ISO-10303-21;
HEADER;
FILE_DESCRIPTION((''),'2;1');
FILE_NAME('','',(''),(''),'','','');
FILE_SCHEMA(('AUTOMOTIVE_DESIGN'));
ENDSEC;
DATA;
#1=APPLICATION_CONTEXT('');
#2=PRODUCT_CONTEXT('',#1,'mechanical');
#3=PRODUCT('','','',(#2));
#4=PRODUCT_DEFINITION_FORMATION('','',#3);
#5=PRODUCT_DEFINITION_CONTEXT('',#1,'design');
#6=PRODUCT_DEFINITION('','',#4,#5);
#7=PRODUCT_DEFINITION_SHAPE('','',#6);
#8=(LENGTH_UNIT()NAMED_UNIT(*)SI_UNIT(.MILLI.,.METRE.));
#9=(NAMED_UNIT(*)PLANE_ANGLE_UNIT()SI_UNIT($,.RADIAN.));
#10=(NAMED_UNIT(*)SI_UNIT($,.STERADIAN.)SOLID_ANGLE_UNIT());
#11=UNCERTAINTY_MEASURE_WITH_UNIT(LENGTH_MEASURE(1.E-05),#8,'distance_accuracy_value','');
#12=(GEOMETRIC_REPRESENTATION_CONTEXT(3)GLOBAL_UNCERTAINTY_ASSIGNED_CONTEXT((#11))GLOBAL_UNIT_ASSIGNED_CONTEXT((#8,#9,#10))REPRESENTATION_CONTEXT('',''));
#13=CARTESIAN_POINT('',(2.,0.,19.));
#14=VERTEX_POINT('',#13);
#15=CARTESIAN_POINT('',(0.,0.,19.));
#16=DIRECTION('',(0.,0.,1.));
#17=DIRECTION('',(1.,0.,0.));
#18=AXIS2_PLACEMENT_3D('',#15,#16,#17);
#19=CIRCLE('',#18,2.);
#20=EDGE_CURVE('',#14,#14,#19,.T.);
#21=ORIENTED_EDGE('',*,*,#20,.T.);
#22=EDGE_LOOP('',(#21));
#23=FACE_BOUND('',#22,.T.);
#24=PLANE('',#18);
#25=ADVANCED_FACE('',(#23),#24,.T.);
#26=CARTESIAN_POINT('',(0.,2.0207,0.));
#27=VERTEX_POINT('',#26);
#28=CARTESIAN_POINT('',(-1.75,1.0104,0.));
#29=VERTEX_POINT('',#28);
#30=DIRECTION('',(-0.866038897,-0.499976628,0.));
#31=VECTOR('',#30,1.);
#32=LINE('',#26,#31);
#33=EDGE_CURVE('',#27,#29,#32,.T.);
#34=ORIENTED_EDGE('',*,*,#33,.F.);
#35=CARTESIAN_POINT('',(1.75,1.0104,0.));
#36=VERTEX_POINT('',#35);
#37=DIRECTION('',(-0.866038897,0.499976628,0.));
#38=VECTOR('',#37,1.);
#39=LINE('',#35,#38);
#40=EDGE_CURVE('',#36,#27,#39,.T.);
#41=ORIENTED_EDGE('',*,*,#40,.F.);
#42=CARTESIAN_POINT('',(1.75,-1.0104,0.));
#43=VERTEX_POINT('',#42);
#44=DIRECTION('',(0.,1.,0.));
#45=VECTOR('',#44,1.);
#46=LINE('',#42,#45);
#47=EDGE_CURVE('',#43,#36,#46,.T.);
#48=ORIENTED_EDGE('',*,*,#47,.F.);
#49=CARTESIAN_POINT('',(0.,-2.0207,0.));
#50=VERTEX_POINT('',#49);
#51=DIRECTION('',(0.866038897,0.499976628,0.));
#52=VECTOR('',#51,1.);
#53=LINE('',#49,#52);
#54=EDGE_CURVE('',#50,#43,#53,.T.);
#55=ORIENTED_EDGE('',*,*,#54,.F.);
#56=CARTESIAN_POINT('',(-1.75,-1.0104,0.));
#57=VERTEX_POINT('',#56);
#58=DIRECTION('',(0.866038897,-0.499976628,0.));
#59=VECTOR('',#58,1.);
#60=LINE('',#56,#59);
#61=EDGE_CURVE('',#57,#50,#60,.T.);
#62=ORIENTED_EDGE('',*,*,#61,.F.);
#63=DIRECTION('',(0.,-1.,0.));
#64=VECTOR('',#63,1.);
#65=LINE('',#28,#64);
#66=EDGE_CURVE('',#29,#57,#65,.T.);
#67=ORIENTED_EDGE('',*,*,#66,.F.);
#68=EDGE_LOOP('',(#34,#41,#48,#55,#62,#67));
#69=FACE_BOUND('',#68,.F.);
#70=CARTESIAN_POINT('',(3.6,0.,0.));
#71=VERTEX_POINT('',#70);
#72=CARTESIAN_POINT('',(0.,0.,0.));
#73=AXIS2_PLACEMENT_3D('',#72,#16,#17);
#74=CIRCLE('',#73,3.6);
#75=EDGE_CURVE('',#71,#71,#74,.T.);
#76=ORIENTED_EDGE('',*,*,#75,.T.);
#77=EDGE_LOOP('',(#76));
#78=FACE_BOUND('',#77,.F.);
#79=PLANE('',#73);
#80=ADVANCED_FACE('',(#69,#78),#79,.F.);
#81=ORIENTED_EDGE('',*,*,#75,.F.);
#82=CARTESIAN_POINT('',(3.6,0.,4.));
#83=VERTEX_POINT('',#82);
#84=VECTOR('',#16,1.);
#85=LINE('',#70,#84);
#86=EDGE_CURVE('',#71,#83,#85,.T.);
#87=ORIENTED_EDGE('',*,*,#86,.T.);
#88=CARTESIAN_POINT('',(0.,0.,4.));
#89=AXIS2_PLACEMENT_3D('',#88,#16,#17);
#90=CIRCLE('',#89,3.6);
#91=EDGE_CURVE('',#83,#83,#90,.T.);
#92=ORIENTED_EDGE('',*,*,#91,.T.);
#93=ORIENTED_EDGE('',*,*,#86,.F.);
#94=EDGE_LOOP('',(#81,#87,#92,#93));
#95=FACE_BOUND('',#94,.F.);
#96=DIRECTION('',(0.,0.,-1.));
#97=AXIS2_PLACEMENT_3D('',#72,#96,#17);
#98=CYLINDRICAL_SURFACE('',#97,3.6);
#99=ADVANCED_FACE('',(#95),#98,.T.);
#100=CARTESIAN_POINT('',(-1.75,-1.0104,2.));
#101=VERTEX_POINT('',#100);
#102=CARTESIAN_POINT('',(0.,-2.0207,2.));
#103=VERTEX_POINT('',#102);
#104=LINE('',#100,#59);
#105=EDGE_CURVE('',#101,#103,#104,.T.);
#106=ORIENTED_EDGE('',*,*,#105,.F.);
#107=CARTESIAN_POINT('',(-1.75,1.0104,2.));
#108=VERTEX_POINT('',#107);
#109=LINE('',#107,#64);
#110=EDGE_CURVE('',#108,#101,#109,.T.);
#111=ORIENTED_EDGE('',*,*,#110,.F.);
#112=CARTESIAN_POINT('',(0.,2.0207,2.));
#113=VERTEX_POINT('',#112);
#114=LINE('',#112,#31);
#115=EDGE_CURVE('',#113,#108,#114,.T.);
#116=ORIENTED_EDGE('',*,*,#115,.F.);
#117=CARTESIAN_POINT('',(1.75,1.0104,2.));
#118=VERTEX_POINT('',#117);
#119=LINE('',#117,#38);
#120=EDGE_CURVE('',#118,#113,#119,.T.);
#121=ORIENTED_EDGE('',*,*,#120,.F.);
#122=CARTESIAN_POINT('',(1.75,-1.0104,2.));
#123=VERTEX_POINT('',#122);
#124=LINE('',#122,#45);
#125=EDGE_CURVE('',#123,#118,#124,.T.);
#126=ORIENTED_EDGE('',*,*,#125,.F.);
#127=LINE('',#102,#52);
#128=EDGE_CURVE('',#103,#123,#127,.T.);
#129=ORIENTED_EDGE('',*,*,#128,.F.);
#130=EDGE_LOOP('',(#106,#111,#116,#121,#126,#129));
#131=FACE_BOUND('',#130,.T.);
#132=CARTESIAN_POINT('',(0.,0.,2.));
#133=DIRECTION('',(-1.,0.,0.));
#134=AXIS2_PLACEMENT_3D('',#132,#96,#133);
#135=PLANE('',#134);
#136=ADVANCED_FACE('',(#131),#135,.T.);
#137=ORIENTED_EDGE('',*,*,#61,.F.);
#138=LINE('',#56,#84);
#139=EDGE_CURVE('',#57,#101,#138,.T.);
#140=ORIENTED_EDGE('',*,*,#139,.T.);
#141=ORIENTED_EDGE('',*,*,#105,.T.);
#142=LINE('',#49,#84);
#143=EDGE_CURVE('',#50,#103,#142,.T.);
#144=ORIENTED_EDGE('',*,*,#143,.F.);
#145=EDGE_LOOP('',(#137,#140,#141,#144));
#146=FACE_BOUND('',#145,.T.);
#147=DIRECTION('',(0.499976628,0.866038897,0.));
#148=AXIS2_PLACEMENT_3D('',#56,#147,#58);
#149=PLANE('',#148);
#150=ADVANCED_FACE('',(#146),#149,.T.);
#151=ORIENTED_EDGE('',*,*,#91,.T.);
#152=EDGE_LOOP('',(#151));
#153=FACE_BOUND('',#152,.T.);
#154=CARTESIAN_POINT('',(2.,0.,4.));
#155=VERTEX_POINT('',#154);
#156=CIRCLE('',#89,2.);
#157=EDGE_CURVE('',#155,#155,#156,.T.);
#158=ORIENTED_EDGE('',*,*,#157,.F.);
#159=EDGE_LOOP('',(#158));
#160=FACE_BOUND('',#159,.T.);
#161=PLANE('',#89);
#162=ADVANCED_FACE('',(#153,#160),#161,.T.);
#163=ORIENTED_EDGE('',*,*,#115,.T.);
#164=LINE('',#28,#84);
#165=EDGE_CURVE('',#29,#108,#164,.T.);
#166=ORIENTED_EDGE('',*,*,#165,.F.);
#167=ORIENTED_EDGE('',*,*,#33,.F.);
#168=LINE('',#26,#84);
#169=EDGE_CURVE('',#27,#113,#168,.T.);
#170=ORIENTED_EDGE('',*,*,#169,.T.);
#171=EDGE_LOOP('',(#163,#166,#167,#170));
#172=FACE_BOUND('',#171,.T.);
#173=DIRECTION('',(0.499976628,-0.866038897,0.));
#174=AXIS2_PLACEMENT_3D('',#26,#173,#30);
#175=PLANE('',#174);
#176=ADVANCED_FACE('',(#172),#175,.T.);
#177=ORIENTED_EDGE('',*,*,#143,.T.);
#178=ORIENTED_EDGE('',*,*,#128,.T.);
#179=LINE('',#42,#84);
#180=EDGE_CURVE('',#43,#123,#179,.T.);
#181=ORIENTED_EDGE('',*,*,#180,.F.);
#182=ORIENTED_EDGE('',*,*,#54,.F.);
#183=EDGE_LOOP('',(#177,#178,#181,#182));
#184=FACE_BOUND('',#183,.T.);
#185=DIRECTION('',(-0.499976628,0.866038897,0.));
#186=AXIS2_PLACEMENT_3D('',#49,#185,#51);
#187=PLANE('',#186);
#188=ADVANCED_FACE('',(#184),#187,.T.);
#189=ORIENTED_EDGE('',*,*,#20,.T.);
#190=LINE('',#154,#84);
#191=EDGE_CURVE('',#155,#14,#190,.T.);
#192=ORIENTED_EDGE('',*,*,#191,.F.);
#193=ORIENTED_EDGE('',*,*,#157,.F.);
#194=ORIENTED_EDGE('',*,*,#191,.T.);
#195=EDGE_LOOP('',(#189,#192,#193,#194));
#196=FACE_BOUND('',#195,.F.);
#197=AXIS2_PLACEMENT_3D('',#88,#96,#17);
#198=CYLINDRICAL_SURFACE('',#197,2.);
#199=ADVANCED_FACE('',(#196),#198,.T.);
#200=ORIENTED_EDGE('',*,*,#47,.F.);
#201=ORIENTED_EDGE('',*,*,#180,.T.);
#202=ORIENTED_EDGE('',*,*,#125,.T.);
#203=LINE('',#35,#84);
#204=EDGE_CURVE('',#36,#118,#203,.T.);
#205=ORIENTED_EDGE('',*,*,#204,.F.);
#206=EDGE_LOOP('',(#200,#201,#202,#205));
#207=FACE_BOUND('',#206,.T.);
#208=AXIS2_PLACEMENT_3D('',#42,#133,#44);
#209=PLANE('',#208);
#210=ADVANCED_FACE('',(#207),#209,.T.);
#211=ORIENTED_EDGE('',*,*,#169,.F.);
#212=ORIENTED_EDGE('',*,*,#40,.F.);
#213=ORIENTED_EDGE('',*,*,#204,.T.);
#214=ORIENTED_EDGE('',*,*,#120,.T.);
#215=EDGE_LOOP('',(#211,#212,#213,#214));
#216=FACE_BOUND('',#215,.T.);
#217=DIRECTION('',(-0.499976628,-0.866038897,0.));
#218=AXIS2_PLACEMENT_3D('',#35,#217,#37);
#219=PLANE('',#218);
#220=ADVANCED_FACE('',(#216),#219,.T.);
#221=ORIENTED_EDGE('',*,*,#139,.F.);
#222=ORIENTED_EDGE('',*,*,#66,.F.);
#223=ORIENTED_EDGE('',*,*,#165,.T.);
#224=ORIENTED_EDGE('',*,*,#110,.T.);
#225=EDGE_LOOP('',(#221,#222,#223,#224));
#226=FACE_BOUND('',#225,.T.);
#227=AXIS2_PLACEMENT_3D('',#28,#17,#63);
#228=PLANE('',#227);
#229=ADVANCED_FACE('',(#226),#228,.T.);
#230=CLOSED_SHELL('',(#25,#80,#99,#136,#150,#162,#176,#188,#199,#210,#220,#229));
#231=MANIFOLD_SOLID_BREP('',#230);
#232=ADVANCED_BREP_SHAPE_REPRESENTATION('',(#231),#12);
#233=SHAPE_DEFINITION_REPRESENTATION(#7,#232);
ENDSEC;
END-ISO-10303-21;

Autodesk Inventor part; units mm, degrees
ref_plane "YZ Plane" through (0, 0, 0) normal (1, 0, 0) x (0, 1, 0)
ref_plane "XZ Plane" through (0, 0, 0) normal (0, 1, 0) x (-1, 0, 0)
ref_plane "XY Plane" through (0, 0, 0) normal (0, 0, 1) x (1, 0, 0)
sketch "スケッチ1" plane through (0, 0, 0) normal (0, 0, 1) x (1, 0, 0)
  circle A0 centre (0, 0) radius 3.6
  dimension "d0" = 7.2
extrude "押し出し1" add sketch "スケッチ1" along normal blind 4
sketch "スケッチ2" plane through (0, 0, 4) normal (0, 0, 1) x (1, 0, 0)
  circle A0 centre (0, 0) radius 2
  dimension "d3" = 4
extrude "押し出し2" add sketch "スケッチ2" along normal blind 15
thread "ねじ1" size "M4x0.7" class "6g" standard "ISO Metric profile" full length
sketch "スケッチ3" plane through (0, 0, 0) normal (0, 0, -1) x (-1, 0, 0)
  line L0 (0, -2.0207) -> (-1.75, -1.0104)
  line L1 (-1.75, -1.0104) -> (-1.75, 1.0104)
  line L2 (-1.75, 1.0104) -> (0, 2.0207)
  line L3 (0, 2.0207) -> (1.75, 1.0104)
  line L4 (1.75, 1.0104) -> (1.75, -1.0104)
  line L5 (1.75, -1.0104) -> (0, -2.0207)
  point P0 (0, 0)
  point P1 (0, 0)
  dimension "d8" = 3.5
extrude "押し出し3" cut sketch "スケッチ3" against normal blind 2
properties part number "Bolt_M3_15_for_SetCollar_d6" material "ステンレス鋼"
